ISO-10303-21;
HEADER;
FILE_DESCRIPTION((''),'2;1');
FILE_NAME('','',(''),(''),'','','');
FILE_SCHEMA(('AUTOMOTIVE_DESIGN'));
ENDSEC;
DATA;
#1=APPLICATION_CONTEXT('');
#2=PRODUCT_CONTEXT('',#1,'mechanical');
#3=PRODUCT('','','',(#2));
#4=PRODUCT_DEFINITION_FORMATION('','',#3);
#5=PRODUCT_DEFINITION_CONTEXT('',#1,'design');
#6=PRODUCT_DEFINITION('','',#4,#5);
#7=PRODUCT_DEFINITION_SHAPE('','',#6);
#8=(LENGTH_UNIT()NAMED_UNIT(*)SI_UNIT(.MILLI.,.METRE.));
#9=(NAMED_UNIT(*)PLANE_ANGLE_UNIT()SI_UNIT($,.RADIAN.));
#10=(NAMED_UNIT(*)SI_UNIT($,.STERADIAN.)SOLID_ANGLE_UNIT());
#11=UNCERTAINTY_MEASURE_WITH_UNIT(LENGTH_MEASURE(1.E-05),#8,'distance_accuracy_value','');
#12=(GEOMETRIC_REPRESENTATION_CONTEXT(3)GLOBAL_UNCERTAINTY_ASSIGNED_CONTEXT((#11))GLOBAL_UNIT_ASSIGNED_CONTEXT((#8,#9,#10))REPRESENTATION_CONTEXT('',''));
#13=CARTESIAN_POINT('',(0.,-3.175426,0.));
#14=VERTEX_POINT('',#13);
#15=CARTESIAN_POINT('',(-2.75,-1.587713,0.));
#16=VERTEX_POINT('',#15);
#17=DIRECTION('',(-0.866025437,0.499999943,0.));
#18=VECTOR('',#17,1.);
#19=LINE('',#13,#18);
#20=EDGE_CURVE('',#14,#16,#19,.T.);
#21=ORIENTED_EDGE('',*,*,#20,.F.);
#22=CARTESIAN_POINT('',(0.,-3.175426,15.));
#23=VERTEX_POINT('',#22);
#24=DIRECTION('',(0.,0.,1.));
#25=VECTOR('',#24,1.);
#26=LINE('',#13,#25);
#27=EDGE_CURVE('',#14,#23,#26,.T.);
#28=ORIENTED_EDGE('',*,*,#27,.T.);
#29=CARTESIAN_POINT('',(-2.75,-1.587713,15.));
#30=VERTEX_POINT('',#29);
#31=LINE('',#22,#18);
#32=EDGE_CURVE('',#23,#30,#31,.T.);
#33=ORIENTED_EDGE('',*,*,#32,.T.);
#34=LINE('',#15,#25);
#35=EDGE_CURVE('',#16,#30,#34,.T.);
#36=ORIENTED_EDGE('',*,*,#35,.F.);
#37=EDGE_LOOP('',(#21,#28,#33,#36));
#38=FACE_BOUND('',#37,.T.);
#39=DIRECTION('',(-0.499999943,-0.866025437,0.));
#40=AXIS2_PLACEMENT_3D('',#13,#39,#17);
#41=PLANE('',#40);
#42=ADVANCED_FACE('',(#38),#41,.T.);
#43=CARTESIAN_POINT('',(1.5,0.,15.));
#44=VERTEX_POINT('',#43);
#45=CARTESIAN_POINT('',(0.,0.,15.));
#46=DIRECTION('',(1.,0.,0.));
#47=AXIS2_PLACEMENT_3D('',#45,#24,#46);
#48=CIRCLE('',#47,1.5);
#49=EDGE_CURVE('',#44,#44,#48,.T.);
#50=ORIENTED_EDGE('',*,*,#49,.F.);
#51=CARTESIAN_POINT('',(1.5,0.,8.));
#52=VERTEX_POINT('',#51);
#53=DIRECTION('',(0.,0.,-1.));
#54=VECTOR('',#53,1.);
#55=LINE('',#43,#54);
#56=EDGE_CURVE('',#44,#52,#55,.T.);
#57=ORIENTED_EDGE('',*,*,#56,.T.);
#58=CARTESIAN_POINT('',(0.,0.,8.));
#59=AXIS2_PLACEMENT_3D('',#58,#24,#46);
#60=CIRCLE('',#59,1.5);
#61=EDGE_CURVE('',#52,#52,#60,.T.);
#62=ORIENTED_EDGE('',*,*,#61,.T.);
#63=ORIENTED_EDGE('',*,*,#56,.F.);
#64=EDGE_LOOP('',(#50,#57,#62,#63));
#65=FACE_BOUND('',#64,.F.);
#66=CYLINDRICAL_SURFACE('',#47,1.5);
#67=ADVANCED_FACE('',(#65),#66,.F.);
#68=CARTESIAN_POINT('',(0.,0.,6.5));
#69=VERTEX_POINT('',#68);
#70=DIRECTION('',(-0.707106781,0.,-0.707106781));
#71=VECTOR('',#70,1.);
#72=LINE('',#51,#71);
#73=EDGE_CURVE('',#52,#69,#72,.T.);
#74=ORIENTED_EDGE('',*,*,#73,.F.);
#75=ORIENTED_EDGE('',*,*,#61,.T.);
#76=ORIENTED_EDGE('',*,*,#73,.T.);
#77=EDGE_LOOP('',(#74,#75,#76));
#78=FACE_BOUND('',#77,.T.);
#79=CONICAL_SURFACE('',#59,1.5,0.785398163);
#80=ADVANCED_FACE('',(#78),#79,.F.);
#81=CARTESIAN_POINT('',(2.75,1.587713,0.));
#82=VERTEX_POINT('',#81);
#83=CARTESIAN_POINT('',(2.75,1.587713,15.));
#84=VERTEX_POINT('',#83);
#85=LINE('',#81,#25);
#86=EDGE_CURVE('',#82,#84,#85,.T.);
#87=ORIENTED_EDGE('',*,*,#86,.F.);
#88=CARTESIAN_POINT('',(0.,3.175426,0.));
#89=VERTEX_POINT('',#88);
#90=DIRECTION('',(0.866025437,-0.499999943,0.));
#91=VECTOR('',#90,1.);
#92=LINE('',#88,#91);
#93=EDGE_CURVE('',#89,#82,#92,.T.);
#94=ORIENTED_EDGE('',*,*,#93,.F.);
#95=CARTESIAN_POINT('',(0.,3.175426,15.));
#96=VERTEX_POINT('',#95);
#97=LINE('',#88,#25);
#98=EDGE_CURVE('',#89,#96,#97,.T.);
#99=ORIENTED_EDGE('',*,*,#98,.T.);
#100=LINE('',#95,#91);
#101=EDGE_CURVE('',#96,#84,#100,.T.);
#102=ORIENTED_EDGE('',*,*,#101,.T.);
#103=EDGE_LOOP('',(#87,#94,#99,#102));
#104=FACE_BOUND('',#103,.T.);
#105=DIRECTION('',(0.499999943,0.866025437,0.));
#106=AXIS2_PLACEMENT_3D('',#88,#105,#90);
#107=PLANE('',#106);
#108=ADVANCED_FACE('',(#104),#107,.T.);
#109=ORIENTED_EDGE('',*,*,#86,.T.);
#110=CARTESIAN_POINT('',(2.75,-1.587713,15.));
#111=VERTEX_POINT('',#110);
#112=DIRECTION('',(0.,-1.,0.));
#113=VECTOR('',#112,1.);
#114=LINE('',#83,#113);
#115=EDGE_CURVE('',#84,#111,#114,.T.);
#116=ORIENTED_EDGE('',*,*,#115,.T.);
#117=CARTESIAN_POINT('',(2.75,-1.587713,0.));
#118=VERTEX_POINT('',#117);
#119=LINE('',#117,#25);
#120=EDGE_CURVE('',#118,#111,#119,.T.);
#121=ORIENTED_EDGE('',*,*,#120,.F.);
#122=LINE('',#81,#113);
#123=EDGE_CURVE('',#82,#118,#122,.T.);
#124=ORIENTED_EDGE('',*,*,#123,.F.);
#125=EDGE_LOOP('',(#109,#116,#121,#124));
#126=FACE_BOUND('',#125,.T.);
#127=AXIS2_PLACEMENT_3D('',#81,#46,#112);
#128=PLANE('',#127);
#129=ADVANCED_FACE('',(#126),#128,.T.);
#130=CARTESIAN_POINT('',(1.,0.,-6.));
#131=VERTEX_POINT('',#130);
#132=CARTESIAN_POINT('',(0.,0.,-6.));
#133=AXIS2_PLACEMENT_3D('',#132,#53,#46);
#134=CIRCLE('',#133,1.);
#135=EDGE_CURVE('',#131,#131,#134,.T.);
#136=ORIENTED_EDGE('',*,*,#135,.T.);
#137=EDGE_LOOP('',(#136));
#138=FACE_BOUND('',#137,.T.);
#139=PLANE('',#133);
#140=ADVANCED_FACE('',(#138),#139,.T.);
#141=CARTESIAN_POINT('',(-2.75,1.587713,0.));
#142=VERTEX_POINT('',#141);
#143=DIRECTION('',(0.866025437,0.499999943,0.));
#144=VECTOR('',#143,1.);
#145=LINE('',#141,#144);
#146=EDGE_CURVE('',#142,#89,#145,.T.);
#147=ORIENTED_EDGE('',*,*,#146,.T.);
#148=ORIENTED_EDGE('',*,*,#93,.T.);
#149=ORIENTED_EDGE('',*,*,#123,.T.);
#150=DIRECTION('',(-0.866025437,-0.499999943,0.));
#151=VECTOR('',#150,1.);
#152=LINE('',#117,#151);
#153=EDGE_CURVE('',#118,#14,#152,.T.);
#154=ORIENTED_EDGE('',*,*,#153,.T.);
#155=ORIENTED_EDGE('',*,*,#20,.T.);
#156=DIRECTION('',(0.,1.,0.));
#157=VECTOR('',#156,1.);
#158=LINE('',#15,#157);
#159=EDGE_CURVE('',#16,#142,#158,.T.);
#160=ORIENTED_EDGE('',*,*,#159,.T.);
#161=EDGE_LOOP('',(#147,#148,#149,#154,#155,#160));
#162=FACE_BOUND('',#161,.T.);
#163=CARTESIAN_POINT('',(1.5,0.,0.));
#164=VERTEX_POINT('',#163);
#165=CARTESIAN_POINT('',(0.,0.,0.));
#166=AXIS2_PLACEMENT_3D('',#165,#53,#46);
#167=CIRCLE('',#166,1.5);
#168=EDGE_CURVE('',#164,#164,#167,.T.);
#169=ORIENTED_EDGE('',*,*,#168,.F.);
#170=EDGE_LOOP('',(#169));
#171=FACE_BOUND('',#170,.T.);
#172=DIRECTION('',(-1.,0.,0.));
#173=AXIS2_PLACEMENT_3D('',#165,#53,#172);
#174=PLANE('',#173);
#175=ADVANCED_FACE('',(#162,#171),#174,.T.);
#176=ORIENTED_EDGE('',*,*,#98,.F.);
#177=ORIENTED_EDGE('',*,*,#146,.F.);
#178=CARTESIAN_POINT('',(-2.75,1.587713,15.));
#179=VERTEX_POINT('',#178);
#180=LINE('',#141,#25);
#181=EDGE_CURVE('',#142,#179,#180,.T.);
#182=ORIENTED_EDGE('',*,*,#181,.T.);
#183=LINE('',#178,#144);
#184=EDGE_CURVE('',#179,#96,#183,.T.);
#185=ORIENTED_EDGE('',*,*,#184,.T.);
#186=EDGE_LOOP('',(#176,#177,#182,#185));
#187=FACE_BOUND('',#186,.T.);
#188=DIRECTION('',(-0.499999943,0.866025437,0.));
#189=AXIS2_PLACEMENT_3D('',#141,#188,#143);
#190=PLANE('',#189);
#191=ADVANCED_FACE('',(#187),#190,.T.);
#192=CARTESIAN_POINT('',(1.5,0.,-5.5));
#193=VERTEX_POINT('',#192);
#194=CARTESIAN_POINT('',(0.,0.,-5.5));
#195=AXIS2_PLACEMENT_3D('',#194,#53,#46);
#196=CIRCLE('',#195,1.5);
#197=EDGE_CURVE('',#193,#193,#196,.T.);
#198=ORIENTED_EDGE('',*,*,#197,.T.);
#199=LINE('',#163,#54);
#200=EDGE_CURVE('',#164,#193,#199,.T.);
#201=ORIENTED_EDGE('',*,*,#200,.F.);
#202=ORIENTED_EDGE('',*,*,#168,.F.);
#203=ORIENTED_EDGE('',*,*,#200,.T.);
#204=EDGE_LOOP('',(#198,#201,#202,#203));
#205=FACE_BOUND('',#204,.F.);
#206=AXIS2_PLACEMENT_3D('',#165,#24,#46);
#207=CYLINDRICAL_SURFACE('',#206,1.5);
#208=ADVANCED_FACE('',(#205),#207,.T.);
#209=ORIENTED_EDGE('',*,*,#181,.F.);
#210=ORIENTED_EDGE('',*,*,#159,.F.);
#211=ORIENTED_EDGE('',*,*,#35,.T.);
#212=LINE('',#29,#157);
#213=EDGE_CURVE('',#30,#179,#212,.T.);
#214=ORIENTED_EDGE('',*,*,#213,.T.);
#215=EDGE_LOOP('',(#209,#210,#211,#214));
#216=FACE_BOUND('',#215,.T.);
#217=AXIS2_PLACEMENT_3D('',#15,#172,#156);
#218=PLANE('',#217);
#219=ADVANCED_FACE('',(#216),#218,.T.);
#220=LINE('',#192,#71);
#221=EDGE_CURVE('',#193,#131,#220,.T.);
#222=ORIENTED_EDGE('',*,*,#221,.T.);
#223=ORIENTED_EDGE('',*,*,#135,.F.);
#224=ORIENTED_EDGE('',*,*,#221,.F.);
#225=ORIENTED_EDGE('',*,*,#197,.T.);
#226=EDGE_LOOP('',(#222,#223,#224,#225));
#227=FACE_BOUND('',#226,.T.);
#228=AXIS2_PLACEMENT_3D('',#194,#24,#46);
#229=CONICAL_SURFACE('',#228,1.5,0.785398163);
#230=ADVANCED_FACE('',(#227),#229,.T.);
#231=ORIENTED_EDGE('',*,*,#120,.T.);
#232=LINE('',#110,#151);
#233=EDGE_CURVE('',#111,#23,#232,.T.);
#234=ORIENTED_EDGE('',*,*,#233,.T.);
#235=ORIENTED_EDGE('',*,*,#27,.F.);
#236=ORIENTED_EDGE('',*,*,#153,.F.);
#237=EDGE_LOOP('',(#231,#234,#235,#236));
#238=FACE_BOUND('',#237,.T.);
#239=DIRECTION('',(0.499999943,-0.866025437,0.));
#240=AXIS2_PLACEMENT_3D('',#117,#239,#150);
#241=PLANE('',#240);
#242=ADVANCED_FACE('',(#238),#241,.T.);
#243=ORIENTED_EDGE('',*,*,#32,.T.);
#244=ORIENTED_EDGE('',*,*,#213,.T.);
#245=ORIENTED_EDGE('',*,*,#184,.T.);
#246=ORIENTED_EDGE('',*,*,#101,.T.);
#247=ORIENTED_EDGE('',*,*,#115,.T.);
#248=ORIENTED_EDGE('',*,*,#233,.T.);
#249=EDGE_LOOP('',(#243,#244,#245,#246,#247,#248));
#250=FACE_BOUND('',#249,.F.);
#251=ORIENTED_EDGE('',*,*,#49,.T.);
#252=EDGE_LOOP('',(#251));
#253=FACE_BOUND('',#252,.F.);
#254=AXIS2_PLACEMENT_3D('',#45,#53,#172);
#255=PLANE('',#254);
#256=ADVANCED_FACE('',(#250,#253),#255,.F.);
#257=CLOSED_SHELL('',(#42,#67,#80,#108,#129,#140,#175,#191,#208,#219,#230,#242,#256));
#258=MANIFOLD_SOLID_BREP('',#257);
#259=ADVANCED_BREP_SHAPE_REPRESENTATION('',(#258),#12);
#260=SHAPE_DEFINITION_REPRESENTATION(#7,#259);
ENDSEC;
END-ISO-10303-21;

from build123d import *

# Parameters (mm, degrees)
PAD014_DEPTH    = 15
SKETCH032_R     = 1.5
PAD013_DEPTH    = 6
SKETCH031_R     = 1.5
POCKET012_DEPTH = 8.5
CHAMFER011_SIZE = 1.5
CHAMFER012_SIZE = 0.5


with BuildPart() as part:
    # Sketch030 → Pad014 (new body)
    with BuildSketch(Plane.XY):
        Polygon((-2.75, -1.587713), (-2.75, 1.587713), (0, 3.175426), (2.75, 1.587713), (2.75, -1.587713), (0, -3.175426), align=None)
    extrude(amount=PAD014_DEPTH)

    # Sketch032 (on Face7 of Pad014) → Pad013 (new body)
    with BuildSketch(Plane(origin=(0, 0, 0), x_dir=(1, 0, 0), z_dir=(0, 0, -1))):
        Circle(SKETCH032_R)
    extrude(amount=PAD013_DEPTH)

    # Sketch031 (on Face5 of Pad013) → Pocket012 (cut)
    with BuildSketch(Plane.XY.offset(15)):
        Circle(SKETCH031_R)
    extrude(amount=-POCKET012_DEPTH, mode=Mode.SUBTRACT)

    # Chamfer011
    chamfer011_edges = [part.edges().sort_by_distance(p)[0] for p in [
        (-1.5, 0, 6.5),
    ]]
    chamfer(chamfer011_edges, length=CHAMFER011_SIZE)

    # Chamfer012
    chamfer012_edges = [part.edges().sort_by_distance(p)[0] for p in [
        (-1.5, 0, -6),
    ]]
    chamfer(chamfer012_edges, length=CHAMFER012_SIZE)


solid = part.part
